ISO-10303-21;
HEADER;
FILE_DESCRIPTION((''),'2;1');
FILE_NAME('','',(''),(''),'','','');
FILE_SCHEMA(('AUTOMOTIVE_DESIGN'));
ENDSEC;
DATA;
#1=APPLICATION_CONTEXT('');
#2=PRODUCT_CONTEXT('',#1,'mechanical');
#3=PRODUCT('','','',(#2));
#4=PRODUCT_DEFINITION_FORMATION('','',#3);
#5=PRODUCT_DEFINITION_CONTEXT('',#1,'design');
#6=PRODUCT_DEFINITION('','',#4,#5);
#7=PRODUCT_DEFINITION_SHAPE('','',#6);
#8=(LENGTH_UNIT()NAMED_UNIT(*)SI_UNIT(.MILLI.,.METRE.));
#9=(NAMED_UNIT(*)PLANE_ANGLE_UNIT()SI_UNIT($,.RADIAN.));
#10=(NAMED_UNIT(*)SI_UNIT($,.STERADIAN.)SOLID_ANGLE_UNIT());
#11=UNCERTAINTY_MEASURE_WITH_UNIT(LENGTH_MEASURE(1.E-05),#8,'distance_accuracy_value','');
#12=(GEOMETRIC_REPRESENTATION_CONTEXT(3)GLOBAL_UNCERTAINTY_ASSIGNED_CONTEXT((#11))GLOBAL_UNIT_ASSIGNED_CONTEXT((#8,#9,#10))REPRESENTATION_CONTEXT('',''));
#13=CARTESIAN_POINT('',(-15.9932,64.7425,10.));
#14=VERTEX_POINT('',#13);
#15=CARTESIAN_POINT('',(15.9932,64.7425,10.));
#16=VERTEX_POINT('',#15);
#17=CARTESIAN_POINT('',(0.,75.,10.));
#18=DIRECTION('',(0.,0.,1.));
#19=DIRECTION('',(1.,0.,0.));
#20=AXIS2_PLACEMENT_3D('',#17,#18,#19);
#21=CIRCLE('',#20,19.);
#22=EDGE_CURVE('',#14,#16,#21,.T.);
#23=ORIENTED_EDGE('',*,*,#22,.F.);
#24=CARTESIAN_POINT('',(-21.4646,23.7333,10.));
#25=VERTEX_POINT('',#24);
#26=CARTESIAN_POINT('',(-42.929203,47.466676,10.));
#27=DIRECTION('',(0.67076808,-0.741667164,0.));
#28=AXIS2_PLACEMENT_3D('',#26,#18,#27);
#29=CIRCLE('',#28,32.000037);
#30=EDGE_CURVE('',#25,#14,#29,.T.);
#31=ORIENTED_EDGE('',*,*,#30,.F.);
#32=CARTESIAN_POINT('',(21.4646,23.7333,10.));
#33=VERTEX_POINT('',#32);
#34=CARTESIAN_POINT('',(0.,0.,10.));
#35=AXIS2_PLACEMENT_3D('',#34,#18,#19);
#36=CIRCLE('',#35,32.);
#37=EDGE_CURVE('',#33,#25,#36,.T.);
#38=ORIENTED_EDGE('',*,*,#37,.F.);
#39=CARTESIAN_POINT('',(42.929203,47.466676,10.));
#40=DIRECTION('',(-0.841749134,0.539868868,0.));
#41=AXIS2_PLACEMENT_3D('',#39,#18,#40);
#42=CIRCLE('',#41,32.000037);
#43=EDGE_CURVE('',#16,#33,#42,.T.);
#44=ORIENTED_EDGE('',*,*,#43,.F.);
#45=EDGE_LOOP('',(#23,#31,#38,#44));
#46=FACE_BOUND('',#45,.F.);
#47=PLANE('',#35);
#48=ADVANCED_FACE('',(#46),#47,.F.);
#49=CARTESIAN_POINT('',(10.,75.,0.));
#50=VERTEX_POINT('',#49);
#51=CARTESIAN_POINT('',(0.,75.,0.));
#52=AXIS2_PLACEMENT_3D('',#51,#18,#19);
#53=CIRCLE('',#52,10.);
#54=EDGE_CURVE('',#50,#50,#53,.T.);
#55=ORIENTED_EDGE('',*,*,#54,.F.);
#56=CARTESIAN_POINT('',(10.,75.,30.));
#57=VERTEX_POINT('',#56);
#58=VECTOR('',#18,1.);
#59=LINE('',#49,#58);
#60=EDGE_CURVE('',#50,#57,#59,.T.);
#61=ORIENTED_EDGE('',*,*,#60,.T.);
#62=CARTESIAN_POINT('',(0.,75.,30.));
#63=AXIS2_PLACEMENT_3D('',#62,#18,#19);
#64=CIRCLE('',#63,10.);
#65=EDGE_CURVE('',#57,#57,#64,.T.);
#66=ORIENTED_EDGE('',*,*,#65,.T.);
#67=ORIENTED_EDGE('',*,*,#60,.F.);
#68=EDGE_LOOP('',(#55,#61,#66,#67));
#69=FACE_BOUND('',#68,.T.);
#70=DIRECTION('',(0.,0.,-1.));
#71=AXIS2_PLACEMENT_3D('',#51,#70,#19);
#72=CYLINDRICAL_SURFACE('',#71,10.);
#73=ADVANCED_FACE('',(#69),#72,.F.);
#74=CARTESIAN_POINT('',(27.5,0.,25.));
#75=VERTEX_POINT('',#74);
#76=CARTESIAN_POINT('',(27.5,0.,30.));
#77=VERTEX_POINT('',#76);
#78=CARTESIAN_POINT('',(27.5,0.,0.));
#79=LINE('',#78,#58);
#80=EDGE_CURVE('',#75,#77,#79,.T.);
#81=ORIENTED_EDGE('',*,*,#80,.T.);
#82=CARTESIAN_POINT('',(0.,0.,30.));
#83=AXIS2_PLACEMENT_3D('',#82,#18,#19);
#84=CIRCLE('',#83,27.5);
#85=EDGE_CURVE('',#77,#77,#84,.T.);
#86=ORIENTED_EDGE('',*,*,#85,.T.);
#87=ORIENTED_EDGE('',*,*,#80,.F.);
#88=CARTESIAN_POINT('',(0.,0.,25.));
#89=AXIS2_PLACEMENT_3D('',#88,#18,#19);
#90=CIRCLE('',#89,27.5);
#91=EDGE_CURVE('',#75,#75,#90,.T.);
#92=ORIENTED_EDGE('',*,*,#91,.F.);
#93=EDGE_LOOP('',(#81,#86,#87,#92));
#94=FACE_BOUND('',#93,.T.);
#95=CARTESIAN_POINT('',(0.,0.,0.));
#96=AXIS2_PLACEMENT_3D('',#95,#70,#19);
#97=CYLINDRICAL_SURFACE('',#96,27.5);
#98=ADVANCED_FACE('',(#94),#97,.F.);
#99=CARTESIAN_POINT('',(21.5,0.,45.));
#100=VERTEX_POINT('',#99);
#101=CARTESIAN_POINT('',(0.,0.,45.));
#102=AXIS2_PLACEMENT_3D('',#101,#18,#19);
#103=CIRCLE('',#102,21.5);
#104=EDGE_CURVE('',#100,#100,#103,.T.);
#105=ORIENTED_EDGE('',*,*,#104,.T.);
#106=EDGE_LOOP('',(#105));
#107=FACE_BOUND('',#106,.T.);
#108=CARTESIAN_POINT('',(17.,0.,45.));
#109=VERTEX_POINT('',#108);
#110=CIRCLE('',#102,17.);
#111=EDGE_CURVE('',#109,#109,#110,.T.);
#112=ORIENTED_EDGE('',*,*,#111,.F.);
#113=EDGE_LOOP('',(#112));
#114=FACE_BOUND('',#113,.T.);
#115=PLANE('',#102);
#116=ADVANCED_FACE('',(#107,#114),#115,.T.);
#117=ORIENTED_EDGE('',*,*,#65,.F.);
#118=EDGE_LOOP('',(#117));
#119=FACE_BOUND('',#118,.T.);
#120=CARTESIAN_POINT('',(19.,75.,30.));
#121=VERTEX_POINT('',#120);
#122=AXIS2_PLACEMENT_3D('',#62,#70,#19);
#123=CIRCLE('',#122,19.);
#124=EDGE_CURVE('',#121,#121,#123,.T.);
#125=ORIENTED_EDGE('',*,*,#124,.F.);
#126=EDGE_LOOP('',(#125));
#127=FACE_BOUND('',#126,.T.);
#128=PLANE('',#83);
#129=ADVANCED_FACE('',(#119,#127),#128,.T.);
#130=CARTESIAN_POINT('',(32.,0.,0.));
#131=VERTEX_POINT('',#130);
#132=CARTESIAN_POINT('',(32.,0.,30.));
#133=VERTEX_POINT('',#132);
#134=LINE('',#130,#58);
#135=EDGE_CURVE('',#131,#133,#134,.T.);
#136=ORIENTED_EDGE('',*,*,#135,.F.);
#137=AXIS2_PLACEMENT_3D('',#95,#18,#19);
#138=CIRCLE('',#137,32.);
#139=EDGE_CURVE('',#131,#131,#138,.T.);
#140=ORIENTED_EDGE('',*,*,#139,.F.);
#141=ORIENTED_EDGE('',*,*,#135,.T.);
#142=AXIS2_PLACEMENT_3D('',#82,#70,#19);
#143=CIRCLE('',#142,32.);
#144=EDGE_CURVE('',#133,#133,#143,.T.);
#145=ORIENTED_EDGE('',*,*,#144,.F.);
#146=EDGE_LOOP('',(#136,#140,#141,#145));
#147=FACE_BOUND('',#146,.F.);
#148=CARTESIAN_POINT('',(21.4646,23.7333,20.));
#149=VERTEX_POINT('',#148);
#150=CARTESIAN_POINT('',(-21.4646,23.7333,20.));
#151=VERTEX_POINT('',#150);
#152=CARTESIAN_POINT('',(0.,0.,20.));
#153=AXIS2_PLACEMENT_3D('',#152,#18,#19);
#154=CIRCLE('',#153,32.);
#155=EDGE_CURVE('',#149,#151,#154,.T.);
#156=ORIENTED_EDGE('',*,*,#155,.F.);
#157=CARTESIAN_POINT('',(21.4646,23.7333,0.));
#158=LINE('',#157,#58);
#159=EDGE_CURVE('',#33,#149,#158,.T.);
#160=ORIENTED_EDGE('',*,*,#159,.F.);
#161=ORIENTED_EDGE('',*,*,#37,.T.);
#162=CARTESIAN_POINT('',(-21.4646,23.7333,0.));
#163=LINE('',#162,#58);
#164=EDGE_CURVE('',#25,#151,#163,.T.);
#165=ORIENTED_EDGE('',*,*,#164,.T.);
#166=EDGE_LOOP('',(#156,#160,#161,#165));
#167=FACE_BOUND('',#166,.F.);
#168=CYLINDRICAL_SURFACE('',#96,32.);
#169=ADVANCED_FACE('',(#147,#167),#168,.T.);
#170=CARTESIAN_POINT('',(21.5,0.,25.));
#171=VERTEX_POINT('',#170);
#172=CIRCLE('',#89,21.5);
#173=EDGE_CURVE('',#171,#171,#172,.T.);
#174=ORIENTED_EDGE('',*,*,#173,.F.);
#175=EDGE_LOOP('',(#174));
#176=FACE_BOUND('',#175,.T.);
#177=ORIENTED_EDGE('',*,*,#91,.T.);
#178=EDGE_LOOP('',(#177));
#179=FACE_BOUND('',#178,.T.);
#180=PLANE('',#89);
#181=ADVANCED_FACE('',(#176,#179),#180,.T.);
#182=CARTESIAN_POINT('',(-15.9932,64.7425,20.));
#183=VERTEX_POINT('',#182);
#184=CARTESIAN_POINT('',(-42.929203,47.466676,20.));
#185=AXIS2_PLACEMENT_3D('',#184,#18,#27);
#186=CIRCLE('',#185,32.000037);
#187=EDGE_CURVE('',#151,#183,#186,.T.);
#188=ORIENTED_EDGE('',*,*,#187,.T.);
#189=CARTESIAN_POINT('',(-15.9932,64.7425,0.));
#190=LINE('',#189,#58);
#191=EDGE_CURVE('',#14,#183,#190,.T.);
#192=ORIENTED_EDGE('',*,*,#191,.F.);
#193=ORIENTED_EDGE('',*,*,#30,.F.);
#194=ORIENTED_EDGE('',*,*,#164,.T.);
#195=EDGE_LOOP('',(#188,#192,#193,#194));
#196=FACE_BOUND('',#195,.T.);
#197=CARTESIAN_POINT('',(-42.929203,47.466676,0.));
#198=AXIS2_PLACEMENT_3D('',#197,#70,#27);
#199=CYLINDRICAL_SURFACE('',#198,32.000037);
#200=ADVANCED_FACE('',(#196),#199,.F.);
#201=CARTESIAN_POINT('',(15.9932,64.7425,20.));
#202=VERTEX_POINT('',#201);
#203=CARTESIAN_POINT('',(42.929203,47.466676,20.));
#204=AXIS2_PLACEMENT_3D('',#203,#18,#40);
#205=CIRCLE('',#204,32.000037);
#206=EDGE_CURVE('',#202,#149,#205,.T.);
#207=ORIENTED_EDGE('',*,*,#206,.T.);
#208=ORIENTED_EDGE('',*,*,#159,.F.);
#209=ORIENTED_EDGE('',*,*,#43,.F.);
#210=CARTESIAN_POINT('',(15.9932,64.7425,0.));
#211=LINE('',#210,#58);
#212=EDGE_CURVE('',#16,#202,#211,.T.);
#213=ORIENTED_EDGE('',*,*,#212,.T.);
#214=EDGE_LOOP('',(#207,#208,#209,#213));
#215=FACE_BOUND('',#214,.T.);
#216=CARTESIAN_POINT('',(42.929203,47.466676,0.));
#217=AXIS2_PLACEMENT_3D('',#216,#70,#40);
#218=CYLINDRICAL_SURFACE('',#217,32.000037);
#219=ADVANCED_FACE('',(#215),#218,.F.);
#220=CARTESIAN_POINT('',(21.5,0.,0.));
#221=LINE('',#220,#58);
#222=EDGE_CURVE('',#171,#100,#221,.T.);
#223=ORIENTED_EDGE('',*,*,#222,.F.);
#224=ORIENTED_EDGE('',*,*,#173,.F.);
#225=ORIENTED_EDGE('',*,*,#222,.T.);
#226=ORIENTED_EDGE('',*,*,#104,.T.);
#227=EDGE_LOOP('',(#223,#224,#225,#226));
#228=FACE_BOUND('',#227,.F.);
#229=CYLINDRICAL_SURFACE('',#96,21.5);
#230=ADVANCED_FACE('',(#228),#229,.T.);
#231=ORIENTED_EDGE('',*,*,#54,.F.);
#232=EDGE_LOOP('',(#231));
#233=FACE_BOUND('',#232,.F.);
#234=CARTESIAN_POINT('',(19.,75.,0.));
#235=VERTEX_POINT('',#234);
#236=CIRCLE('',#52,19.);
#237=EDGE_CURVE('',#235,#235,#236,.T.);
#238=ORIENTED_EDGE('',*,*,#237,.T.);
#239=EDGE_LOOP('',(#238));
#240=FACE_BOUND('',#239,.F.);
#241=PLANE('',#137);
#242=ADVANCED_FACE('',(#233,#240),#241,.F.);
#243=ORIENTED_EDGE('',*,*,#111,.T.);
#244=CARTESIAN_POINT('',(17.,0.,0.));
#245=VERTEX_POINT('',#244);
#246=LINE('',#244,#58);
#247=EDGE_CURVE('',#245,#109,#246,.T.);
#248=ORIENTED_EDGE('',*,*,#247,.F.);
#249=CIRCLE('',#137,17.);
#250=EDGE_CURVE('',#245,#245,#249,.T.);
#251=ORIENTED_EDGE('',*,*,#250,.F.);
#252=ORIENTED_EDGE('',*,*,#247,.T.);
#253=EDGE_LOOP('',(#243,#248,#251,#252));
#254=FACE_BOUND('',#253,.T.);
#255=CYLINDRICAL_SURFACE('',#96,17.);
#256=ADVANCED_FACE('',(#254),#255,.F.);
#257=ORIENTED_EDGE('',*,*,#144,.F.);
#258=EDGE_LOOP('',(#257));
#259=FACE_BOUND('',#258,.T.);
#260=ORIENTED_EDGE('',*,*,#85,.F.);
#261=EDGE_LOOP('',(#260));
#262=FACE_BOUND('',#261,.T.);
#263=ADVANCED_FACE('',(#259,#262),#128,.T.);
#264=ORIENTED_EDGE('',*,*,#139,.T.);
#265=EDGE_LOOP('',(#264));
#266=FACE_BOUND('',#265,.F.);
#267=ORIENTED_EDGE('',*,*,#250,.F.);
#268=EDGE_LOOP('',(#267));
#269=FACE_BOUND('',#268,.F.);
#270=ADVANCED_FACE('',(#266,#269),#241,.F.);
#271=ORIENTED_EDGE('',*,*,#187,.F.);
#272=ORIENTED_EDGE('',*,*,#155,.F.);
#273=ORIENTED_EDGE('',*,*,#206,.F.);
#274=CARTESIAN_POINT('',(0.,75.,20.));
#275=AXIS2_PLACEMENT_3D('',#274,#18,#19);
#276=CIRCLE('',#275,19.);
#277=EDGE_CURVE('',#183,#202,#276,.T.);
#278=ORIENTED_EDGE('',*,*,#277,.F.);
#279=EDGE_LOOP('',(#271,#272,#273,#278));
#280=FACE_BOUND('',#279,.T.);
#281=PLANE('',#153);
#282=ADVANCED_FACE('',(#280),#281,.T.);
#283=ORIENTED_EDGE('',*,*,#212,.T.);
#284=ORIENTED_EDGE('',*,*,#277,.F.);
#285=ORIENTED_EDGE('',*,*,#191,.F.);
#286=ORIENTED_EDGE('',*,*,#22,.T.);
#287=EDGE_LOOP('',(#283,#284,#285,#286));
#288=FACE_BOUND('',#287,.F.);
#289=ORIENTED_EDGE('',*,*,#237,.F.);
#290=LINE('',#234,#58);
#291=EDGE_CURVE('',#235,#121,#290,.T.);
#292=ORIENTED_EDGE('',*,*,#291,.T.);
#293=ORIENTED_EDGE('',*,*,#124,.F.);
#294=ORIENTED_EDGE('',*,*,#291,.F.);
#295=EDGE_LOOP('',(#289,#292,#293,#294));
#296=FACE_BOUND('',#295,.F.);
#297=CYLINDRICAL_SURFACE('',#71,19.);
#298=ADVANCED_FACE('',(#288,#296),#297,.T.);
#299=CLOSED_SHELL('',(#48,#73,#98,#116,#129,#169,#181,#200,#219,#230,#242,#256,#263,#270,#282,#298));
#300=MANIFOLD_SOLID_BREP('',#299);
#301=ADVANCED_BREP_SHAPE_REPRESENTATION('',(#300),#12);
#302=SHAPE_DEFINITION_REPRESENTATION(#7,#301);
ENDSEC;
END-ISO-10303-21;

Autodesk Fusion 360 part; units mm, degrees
sketch "Esboço1" plane through (0, 0, 0) normal (0, 0, 1) x (1, 0, 0)
  circle A0 centre (0, 0) radius 17
  circle A1 centre (0, 0) radius 21.5
  circle A2 centre (0, 0) radius 27.5
  circle A3 centre (0, 0) radius 32
  circle A4 centre (0, 75) radius 10
  circle A5 centre (0, 75) radius 19
  arc A6 (-21.4646, 23.7333) -> (-15.9932, 64.7425) centre (-42.9292, 47.4667) ccw
  arc A7 (15.9932, 64.7425) -> (21.4646, 23.7333) centre (42.9292, 47.4667) ccw
  dimension "d1" = 34
  dimension "d2" = 43
  dimension "d3" = 55
  dimension "d4" = 64
  dimension "d5" = 75
  dimension "d6" = 20
  dimension "d7" = 38
  dimension "d8" = 64
extrude "Extrusão1" add sketch "Esboço1" along normal blind 30 contours A5 makes body 1
extrude "Extrusão2" add sketch "Esboço1" along normal blind 30 separate body contours A3 makes body 2
extrude "Extrusão3" add sketch "Esboço1" along normal blind 25 contours A2 bodies 2
extrude "Extrusão4" add sketch "Esboço1" along normal blind 45 contours A1 bodies 2
extrude "Extrusão5" add sketch "Esboço1" along normal blind 20 contours A3 A5 A6 A7 bodies 1 2
extrude "Extrusão6" cut sketch "Esboço1" along normal blind 10 contours A3 A5 A6 A7 bodies 1
